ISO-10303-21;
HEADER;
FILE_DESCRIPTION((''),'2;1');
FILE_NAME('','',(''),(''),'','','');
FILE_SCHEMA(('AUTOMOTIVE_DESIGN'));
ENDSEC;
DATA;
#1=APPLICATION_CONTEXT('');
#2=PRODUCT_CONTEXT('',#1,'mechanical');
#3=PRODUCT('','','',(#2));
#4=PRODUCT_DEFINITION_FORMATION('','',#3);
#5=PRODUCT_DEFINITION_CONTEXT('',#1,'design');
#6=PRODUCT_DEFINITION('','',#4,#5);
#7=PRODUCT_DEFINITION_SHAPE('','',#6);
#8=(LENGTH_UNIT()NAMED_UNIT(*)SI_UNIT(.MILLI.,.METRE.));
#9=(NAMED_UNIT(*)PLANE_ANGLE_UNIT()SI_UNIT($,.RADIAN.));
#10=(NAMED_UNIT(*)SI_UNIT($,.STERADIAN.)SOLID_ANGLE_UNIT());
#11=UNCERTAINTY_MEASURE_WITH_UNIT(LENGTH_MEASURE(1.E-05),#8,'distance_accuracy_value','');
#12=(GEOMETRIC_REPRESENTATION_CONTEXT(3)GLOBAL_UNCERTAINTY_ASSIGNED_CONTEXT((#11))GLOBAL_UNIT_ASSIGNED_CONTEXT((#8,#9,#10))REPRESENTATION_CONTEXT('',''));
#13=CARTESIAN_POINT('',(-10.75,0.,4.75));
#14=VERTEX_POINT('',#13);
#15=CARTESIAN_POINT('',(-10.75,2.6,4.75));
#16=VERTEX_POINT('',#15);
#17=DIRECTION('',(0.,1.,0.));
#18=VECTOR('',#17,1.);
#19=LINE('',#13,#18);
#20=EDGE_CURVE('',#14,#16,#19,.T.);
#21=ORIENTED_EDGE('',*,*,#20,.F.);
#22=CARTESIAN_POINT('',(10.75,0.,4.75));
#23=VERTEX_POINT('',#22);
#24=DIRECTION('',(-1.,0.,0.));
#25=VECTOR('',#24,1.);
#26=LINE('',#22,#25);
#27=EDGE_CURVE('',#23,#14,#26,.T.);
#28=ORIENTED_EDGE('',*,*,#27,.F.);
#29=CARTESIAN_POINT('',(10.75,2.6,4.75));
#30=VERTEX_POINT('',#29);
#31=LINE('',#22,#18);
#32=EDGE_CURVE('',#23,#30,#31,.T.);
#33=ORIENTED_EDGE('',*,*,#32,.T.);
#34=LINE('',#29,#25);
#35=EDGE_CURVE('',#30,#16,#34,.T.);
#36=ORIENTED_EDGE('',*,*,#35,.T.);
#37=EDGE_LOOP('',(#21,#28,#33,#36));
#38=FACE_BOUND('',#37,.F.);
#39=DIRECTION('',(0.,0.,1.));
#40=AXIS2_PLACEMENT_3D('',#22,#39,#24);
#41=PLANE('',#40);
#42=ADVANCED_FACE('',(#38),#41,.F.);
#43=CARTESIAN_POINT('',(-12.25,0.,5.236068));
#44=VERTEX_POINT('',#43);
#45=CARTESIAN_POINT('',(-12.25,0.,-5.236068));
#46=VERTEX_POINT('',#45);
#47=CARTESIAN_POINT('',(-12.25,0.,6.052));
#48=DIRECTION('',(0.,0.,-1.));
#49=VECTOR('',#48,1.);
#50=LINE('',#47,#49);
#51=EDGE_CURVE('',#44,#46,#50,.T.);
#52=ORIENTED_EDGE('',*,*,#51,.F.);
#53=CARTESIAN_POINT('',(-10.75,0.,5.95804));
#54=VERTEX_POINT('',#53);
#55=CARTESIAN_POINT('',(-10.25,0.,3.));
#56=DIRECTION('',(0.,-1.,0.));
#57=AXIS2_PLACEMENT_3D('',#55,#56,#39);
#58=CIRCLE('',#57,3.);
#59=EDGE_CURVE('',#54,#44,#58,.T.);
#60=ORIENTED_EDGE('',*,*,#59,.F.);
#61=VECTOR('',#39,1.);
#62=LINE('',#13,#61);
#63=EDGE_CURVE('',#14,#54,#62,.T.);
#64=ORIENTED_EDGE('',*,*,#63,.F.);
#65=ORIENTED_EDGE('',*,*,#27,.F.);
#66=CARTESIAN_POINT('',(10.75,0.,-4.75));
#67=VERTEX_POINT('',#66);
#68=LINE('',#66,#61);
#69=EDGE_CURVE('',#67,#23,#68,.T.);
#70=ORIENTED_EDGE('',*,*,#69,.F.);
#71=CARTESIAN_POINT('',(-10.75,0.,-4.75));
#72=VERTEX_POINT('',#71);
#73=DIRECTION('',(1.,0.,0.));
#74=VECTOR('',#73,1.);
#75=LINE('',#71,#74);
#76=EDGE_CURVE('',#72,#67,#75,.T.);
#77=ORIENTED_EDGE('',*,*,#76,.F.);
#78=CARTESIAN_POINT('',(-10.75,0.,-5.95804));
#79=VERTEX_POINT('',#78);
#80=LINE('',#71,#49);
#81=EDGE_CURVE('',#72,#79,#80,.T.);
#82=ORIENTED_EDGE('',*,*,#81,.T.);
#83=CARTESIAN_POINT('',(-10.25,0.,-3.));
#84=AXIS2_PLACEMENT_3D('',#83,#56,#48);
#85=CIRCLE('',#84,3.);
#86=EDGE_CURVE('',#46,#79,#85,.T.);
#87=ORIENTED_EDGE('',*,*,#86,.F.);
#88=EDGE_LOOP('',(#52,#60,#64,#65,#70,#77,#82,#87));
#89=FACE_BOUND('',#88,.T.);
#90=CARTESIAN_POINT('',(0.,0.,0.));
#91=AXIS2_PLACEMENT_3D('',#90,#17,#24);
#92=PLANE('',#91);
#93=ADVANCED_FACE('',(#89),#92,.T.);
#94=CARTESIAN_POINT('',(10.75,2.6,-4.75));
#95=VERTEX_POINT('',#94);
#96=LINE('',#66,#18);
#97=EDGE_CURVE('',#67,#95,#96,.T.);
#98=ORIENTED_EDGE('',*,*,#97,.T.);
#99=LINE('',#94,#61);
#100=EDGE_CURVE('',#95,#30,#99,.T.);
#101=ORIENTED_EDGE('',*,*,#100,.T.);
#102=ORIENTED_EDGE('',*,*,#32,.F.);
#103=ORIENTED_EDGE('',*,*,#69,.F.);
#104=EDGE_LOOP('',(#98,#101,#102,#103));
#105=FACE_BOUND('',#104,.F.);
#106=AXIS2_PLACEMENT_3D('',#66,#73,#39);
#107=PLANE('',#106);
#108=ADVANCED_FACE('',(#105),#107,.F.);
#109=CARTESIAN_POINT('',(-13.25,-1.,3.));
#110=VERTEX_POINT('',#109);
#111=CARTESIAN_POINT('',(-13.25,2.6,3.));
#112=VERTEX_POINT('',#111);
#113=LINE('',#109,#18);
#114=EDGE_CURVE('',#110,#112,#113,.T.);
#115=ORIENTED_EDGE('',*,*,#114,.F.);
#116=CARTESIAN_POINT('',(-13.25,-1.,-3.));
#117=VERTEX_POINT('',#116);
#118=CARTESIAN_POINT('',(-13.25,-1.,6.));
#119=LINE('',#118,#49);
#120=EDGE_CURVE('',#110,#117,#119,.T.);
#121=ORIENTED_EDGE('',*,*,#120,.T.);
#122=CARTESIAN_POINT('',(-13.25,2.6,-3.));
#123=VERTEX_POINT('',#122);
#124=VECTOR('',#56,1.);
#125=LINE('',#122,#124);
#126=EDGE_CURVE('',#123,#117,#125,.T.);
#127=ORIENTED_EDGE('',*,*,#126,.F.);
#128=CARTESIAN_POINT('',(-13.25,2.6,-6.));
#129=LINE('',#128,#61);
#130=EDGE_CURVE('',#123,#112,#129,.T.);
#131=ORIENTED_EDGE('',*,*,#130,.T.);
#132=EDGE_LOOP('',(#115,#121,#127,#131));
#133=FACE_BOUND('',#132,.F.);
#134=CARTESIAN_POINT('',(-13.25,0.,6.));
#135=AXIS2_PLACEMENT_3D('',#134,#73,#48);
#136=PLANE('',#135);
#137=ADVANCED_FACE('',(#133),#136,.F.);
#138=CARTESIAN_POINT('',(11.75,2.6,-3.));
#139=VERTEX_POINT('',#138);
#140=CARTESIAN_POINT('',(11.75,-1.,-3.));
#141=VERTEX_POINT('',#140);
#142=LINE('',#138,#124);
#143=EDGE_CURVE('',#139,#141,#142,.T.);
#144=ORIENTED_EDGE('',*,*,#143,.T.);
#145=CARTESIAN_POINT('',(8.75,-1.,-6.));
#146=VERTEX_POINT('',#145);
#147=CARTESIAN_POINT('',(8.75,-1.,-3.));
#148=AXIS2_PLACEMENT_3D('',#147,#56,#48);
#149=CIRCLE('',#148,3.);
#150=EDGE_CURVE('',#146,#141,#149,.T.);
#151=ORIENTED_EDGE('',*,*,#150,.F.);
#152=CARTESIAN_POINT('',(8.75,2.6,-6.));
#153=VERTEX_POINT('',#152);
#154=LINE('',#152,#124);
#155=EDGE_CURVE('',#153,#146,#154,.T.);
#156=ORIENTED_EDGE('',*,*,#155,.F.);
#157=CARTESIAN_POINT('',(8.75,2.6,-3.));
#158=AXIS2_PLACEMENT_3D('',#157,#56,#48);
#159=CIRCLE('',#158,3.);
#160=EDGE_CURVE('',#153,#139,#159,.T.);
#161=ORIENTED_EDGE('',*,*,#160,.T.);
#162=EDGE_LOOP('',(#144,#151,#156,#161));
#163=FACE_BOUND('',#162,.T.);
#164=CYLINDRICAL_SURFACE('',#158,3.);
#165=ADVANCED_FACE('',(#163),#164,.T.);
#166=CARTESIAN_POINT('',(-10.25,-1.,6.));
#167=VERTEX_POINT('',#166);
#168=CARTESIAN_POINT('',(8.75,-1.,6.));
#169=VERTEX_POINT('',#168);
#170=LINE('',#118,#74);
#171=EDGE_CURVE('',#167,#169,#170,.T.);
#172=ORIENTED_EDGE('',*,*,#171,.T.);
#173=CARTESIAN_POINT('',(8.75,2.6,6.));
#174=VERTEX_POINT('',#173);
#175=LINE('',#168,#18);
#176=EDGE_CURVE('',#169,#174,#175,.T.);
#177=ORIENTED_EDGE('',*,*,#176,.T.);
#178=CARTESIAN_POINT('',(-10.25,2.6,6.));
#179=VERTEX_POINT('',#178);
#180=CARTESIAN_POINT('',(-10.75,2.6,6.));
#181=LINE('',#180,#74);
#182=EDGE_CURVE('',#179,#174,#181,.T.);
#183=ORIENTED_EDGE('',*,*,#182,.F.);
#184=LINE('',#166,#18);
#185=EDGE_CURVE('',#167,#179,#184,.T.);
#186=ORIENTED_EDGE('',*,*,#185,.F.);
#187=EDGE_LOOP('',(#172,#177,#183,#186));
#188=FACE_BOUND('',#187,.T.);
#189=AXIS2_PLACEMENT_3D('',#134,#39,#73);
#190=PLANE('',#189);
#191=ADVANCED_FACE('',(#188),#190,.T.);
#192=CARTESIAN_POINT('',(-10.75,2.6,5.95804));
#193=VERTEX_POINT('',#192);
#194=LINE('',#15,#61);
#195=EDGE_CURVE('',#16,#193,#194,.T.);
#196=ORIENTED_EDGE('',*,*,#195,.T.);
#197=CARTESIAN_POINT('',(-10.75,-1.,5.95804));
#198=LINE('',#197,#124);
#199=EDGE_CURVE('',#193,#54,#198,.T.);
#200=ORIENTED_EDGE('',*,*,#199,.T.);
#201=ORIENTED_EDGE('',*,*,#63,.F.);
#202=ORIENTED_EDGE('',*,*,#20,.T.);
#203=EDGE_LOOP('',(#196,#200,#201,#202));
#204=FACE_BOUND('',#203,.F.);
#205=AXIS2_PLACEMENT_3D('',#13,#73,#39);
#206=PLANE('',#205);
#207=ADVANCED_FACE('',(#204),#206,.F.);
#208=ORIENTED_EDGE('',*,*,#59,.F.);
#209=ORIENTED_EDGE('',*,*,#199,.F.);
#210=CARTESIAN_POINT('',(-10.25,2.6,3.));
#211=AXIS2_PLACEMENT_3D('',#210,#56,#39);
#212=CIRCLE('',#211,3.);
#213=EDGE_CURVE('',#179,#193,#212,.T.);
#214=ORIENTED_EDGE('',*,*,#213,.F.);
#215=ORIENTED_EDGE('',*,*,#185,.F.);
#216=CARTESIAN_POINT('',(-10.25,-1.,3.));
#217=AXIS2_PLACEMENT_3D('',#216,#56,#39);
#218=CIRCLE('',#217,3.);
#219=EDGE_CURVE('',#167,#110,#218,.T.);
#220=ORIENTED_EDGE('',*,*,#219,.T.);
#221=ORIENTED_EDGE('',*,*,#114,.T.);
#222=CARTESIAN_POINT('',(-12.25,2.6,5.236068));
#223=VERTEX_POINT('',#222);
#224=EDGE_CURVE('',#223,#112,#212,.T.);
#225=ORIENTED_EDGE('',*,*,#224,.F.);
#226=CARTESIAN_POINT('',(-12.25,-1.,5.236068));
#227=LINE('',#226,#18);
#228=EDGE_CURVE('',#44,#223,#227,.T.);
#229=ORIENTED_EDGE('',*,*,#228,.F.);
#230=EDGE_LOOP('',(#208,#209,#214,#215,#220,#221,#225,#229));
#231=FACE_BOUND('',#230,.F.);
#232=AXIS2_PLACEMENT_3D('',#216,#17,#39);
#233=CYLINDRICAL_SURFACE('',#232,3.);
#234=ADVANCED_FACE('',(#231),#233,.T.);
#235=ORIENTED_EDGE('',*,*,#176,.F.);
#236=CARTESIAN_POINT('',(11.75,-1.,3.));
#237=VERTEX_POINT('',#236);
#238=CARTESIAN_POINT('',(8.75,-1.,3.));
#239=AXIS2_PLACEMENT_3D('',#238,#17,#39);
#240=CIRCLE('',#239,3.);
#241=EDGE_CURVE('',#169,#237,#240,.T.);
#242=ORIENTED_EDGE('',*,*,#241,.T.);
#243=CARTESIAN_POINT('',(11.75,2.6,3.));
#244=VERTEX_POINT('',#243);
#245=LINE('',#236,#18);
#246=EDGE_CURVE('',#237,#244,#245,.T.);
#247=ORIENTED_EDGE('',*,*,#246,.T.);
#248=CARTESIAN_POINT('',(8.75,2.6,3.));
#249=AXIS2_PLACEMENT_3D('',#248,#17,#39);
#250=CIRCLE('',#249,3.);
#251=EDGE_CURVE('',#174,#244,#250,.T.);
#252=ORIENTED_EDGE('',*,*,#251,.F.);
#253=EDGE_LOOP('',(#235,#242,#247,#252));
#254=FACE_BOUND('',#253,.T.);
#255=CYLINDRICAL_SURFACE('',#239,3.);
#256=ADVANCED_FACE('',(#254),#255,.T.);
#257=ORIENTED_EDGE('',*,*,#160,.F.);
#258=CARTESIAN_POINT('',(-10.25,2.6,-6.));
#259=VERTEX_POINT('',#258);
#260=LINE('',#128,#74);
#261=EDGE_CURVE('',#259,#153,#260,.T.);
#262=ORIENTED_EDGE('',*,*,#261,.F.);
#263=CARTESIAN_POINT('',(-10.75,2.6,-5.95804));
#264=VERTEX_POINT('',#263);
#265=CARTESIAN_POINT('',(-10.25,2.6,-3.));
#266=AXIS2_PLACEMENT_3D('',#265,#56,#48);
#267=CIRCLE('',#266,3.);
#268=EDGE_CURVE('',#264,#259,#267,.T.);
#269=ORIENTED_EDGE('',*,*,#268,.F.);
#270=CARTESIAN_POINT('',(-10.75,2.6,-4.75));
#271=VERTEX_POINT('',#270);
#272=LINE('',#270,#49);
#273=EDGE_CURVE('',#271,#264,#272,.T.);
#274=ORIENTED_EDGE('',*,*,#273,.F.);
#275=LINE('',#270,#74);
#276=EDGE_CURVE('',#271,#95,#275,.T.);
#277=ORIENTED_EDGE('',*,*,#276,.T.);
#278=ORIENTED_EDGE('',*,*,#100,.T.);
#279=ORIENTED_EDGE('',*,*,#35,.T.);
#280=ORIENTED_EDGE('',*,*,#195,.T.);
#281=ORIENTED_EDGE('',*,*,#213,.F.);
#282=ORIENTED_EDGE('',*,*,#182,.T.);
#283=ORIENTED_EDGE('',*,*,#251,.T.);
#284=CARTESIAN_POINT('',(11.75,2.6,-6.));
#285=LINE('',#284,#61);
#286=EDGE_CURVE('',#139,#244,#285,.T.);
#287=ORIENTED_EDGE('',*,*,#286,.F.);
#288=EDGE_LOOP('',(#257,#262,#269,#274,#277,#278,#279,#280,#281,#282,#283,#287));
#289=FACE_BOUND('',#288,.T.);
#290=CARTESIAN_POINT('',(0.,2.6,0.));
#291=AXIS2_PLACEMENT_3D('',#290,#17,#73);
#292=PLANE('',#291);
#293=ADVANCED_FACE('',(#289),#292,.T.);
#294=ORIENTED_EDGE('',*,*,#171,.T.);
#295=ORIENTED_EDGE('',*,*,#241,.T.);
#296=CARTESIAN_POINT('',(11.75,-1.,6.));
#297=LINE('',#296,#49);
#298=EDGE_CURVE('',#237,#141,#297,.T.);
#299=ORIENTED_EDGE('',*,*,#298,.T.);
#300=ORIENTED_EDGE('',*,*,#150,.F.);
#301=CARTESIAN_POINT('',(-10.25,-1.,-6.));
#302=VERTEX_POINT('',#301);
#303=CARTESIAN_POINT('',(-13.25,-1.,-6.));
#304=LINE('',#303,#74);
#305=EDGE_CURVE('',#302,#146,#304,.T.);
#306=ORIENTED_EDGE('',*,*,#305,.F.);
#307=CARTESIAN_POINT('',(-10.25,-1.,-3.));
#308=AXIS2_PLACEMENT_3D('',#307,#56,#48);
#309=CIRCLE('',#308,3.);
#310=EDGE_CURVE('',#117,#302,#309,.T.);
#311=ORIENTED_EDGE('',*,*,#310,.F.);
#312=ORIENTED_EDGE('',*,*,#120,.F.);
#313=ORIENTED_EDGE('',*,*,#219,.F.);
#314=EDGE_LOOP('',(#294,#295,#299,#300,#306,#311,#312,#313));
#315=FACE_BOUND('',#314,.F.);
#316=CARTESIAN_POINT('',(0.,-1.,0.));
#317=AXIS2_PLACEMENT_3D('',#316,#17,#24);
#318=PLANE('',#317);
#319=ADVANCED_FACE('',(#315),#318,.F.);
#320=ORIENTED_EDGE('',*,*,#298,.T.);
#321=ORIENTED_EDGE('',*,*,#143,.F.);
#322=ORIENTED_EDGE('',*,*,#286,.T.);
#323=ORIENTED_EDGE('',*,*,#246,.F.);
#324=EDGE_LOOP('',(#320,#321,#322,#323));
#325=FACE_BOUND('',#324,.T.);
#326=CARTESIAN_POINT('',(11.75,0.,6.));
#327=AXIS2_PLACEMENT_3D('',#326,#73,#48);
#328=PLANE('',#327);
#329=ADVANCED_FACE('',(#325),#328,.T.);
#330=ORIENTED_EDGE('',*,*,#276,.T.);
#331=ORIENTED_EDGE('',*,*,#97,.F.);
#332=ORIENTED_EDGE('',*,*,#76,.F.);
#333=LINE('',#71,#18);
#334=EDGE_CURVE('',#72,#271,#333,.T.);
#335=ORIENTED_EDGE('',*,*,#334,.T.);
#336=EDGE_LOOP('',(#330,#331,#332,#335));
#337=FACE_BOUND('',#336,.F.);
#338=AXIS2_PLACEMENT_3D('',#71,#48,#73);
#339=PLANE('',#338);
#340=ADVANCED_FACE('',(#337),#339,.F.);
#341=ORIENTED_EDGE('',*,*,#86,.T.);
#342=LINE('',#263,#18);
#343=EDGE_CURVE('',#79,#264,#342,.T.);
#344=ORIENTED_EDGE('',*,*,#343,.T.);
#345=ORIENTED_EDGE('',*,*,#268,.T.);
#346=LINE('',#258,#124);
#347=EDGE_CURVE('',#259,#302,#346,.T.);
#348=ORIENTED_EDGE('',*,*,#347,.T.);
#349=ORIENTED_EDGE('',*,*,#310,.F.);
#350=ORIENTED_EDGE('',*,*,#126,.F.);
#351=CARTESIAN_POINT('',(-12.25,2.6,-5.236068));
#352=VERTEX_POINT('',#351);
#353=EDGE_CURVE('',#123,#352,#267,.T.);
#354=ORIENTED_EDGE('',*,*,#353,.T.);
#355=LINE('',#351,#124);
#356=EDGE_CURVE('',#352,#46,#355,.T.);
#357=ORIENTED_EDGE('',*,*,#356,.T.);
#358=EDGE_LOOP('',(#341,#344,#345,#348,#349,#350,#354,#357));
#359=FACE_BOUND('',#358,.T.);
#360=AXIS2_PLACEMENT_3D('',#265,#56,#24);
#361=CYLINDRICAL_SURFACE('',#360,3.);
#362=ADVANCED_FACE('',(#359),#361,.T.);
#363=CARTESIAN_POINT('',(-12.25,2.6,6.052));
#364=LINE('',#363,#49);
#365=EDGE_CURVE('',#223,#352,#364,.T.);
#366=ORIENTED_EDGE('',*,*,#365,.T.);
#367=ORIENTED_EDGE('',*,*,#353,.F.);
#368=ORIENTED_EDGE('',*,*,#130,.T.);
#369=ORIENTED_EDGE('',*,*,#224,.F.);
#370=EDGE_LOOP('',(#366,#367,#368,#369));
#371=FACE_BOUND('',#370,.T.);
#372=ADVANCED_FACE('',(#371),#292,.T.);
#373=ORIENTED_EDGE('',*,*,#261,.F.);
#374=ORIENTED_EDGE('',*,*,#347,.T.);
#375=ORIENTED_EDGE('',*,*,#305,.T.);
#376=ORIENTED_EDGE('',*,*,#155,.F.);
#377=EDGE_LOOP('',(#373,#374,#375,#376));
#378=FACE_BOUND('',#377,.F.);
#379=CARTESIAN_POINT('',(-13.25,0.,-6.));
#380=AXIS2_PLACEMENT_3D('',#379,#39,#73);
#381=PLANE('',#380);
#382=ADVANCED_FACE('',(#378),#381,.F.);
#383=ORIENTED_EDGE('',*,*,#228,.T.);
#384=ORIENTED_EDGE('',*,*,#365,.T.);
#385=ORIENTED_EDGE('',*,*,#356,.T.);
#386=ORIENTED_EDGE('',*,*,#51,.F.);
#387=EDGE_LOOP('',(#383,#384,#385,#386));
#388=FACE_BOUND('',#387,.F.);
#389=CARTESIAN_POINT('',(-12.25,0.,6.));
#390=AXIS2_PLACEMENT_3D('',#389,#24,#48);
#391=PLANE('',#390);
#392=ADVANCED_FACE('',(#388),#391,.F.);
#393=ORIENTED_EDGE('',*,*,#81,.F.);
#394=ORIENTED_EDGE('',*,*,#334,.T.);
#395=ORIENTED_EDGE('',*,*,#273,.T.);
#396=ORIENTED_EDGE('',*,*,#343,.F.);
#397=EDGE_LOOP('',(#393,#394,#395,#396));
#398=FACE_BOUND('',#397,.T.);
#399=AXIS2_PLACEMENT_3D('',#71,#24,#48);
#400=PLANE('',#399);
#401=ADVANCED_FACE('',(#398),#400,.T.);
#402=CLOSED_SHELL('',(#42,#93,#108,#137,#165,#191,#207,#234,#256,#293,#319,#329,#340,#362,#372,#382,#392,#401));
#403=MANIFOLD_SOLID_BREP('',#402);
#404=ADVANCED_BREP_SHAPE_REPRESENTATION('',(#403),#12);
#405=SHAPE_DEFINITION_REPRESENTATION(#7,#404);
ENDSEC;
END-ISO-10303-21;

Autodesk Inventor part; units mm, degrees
ref_plane "YZ Plane" through (0, 0, 0) normal (1, 0, 0) x (0, 1, 0)
ref_plane "XZ Plane" through (0, 0, 0) normal (0, 1, 0) x (-1, 0, 0)
ref_plane "XY Plane" through (0, 0, 0) normal (0, 0, 1) x (1, 0, 0)
sketch "Sketch1" plane through (0, 0, 0) normal (0, 1, 0) x (-1, 0, 0)
  line L0 (10.75, 4.75) -> (-10.75, 4.75) construction
  line L1 (10.75, -4.75) -> (-10.75, -4.75) construction
  line L2 (13.25, 6) -> (13.25, -6)
  line L3 (0, 4.75) -> (0, -4.75) construction
  line L4 (-11.75, 6) -> (-11.75, -6)
  line L5 (-10.75, 4.75) -> (-10.75, -4.75) construction
  line L6 (10.75, 4.75) -> (10.75, -4.75) construction
  line L7 (13.25, 6) -> (-11.75, 6)
  line L8 (13.25, -6) -> (-11.75, -6)
  point P0 (0, 0)
  point P1 (13.25, 0)
  point P2 (0, 0)
  point P3 (0, -4.75)
  point P4 (-11.75, 0)
  dimension "d0" = 9.5
  dimension "d1" = 25
  dimension "d2" = 21.5
  dimension "d3" = 12
  dimension "d4" = 1
extrude "Extrusion1" add sketch "Sketch1" against normal blind 1
sketch "Sketch2" plane through (0, 0, 0) normal (0, 1, 0) x (1, 0, 0)
  line L0 (-10.75, 4.75) -> (10.75, 4.75)
  line L1 (-13.25, 6) -> (11.75, 6) projected
  line L2 (10.75, 4.75) -> (10.75, -4.75)
  line L3 (10.75, -4.75) -> (-10.75, -4.75)
  line L4 (-10.75, -4.75) -> (-10.75, -6.052)
  line L5 (-10.75, 4.75) -> (-10.75, 6)
  line L6 (-12.25, -6.052) -> (-12.25, 6)
  line L7 (-13.25, 6) -> (-13.25, -6) projected
  line L8 (-13.25, -6) -> (-13.25, 6) projected
  line L9 (-13.25, -6) -> (-12.25, -6)
  line L10 (-10.75, -6) -> (11.75, -6)
  line L11 (-13.25, 6) -> (-12.25, 6)
  line L12 (-10.75, 6) -> (11.75, 6)
  line L13 (11.75, 6) -> (11.75, -6) projected
  line L14 (11.75, -6) -> (11.75, 6)
  point P0 (0, 0)
  dimension "d7" = 1
extrude "Extrusion2" add sketch "Sketch2" along normal blind 2.6
fillet "Fillet1" radius 3 2 edges at (11.75, 0.8, 6) (11.75, 0.8, -6)
fillet "Fillet2" radius 3 2 edges at (-13.25, 0.8, -6) (-13.25, 0.8, 6)
properties part number "HeadphoneThingy"
